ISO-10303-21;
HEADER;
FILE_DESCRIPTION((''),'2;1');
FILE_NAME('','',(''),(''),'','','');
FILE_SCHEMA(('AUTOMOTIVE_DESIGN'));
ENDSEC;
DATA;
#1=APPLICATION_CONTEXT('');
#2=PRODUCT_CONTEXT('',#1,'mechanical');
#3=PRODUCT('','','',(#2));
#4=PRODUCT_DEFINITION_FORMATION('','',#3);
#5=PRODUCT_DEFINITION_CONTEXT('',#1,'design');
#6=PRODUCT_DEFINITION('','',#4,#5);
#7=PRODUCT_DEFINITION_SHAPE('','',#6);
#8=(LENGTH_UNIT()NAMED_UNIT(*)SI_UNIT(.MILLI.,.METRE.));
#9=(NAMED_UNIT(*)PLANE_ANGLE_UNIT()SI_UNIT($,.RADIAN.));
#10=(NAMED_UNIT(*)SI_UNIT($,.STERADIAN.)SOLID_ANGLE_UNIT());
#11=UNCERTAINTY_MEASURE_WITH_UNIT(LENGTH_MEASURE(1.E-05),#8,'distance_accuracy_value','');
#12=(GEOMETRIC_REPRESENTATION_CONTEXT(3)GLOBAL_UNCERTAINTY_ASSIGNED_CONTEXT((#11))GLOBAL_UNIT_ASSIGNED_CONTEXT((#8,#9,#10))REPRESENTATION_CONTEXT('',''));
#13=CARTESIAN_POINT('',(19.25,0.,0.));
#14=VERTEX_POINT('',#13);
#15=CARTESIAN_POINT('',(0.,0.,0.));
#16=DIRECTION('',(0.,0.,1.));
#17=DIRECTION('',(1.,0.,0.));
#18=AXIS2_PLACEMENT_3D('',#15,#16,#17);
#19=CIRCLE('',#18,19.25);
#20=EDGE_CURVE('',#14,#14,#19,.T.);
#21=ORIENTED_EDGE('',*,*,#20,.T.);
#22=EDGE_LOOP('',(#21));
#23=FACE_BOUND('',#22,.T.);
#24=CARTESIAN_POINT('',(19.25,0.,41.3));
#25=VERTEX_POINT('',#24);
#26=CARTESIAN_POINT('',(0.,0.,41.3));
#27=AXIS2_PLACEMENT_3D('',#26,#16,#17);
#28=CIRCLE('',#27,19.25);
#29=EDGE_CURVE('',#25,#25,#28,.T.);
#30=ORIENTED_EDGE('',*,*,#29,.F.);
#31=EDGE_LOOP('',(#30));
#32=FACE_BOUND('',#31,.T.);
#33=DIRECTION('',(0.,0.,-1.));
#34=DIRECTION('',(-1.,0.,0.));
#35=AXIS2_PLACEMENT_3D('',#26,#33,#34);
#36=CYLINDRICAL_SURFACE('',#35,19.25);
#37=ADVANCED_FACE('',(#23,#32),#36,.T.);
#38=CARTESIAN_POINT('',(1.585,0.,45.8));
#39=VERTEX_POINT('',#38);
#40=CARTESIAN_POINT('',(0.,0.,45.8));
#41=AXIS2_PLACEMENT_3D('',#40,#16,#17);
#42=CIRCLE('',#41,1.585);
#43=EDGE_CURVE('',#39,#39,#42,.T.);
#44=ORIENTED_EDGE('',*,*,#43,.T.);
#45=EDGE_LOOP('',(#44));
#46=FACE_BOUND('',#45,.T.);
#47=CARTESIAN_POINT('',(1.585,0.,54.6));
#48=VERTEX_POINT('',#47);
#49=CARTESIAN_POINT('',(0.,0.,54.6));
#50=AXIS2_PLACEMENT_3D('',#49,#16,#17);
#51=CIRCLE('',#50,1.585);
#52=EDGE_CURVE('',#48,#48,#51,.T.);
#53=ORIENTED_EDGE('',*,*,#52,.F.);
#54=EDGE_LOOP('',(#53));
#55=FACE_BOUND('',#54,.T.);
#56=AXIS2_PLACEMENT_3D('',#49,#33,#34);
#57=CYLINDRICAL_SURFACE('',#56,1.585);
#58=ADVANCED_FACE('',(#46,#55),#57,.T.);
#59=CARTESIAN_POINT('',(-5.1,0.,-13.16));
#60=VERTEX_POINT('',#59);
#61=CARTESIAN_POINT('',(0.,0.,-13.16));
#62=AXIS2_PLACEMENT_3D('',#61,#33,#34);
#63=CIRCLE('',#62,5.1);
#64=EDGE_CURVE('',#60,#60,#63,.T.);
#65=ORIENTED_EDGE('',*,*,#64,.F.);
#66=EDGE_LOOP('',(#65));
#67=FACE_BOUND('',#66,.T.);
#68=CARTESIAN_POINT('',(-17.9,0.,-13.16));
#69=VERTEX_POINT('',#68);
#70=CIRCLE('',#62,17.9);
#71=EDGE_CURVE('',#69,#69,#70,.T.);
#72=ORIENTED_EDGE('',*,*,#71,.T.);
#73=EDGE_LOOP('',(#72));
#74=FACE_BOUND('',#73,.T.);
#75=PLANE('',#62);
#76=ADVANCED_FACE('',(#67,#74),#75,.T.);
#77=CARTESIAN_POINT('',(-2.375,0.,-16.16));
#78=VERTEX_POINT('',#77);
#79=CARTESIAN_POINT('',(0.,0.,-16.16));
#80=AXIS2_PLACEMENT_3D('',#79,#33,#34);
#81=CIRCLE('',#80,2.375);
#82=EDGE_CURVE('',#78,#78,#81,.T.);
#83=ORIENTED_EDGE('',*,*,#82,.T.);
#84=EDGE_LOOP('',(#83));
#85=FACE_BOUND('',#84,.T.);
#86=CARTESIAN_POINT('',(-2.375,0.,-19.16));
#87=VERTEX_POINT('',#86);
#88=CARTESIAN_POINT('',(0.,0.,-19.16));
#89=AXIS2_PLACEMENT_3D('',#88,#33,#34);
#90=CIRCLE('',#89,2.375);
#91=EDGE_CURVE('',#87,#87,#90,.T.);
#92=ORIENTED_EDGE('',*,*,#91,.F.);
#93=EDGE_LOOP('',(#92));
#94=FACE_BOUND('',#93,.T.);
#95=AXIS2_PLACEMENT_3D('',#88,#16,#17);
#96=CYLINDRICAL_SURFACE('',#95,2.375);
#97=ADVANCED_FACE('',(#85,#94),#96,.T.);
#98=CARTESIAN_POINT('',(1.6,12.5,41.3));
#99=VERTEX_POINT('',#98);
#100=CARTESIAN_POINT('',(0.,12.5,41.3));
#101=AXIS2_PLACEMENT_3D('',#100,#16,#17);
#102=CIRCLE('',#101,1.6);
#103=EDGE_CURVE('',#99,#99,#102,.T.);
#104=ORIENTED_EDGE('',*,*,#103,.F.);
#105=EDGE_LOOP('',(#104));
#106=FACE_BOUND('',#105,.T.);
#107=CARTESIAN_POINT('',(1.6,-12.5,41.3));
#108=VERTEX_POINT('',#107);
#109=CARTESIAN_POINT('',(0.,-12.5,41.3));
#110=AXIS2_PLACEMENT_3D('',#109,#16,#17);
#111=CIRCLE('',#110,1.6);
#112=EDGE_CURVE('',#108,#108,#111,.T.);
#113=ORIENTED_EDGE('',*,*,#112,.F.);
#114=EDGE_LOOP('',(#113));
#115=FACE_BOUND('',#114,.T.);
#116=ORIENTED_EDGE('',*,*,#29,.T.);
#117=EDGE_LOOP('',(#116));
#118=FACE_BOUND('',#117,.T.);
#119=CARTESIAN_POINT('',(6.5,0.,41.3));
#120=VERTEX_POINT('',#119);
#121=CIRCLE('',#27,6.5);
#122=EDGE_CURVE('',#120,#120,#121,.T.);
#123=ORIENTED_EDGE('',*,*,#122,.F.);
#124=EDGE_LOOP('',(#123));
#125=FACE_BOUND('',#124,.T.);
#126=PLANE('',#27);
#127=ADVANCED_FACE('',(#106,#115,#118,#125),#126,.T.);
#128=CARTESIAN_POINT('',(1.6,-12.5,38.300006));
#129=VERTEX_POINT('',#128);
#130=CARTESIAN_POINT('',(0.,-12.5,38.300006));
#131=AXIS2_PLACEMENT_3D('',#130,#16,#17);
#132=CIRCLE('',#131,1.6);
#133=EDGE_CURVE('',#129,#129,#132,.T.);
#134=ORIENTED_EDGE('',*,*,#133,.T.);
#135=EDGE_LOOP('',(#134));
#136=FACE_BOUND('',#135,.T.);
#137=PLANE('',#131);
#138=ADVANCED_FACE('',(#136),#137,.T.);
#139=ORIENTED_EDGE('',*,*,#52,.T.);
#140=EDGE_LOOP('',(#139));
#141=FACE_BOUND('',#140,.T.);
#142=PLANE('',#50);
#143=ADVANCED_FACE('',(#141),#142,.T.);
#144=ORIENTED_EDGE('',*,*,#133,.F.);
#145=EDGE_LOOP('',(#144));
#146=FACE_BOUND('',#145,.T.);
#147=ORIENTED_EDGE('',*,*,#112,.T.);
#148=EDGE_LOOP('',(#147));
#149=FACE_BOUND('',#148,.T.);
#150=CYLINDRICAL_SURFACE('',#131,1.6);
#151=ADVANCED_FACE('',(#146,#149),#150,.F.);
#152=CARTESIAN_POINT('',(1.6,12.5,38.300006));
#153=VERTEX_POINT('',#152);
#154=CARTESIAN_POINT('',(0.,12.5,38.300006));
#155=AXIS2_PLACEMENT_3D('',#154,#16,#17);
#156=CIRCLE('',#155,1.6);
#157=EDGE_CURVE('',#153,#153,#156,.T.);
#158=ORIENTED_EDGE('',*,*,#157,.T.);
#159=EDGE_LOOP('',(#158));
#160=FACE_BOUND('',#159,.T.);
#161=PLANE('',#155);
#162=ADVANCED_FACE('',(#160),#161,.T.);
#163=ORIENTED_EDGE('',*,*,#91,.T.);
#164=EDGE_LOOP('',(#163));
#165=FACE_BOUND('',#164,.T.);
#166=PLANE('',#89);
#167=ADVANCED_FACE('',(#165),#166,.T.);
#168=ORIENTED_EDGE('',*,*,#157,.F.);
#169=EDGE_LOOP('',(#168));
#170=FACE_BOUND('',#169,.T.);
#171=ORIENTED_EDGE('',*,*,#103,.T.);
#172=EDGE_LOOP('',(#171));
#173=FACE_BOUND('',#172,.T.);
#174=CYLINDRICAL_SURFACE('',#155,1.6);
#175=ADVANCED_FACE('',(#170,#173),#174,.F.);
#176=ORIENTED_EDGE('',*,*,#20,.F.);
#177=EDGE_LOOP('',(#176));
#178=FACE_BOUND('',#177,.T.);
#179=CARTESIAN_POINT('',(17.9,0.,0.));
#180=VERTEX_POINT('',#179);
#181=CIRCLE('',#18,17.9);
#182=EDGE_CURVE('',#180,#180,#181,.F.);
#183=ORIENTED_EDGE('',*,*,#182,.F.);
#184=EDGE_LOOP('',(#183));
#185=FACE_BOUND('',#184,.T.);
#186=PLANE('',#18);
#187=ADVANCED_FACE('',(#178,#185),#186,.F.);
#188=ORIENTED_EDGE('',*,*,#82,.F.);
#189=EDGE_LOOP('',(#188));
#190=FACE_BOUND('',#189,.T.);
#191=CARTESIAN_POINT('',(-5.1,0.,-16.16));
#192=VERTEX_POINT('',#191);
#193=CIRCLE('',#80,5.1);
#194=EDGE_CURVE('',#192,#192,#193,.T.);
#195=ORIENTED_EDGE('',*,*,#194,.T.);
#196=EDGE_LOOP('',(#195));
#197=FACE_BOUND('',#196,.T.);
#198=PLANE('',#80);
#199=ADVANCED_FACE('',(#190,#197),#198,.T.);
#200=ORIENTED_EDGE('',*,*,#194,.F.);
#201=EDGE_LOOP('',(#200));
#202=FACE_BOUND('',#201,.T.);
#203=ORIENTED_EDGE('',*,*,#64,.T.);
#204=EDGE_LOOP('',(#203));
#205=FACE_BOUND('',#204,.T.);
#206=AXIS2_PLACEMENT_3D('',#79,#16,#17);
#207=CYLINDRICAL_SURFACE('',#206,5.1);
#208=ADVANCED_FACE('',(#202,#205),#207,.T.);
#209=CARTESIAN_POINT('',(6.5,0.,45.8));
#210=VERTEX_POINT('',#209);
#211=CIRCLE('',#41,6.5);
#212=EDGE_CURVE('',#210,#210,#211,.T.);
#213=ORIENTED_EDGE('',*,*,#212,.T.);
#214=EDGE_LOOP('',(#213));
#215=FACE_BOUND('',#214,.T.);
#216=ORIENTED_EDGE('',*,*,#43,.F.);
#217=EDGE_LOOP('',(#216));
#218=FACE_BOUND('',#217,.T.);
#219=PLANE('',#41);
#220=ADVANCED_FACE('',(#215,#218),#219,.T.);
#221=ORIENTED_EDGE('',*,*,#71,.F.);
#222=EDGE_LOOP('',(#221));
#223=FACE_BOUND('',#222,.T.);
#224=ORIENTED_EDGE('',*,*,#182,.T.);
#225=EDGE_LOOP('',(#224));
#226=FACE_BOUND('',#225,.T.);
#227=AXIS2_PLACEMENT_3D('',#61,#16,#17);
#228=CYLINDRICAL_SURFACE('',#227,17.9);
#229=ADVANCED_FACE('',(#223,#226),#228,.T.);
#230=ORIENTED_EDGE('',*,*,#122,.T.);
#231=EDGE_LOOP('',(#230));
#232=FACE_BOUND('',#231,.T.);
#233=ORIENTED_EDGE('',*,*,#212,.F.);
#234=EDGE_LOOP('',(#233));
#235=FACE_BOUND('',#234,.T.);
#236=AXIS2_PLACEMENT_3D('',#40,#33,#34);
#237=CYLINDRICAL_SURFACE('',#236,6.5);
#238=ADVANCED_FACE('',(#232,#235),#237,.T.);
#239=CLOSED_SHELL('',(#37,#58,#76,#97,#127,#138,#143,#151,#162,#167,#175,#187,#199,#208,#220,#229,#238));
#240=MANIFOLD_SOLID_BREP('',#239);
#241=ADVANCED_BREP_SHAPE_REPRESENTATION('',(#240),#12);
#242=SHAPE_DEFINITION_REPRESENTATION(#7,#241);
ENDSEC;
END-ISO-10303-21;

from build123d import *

# Parameters (mm, degrees)
SKETCH1_R           = 19.25
BOSS_EXTRUDE1_DEPTH = 41.3
SKETCH3_R           = 1.585
BOSS_EXTRUDE2_DEPTH = 13.3
SKETCH4_R           = 6.5
BOSS_EXTRUDE3_DEPTH = 4.5
SKETCH5_R           = 17.9
BOSS_EXTRUDE4_DEPTH = 13.16
SKETCH6_R           = 5.1
BOSS_EXTRUDE5_DEPTH = 3
SKETCH7_R           = 2.375
BOSS_EXTRUDE6_DEPTH = 3
SKETCH8_R           = 1.6
CUT_EXTRUDE1_DEPTH  = 2.999994


with BuildPart() as part:
    # Sketch1 → Boss-Extrude1 (new body)
    with BuildSketch(Plane.XY):
        Circle(SKETCH1_R)
    extrude(amount=BOSS_EXTRUDE1_DEPTH)

    # Sketch3 → Boss-Extrude2 (add)
    with BuildSketch(Plane.XY.offset(41.3)):
        Circle(SKETCH3_R)
    extrude(amount=BOSS_EXTRUDE2_DEPTH)

    # Sketch4 → Boss-Extrude3 (add)
    with BuildSketch(Plane.XY.offset(41.3)):
        Circle(SKETCH4_R)
    extrude(amount=BOSS_EXTRUDE3_DEPTH)

    # Sketch5 → Boss-Extrude4 (add)
    with BuildSketch(Plane(origin=(0, 0, 0), x_dir=(-1, 0, 0), z_dir=(0, 0, -1))):
        Circle(SKETCH5_R)
    extrude(amount=BOSS_EXTRUDE4_DEPTH)

    # Sketch6 → Boss-Extrude5 (add)
    with BuildSketch(Plane(origin=(0, 0, -13.16), x_dir=(-1, 0, 0), z_dir=(0, 0, -1))):
        Circle(SKETCH6_R)
    extrude(amount=BOSS_EXTRUDE5_DEPTH)

    # Sketch7 → Boss-Extrude6 (add)
    with BuildSketch(Plane(origin=(0, 0, -16.16), x_dir=(-1, 0, 0), z_dir=(0, 0, -1))):
        Circle(SKETCH7_R)
    extrude(amount=BOSS_EXTRUDE6_DEPTH)

    # Sketch8 → Cut-Extrude1 (cut)
    with BuildSketch(Plane.XY.offset(41.3)):
        with Locations((0, 12.5)):
            Circle(SKETCH8_R)
        with Locations((0, -12.5)):
            Circle(SKETCH8_R)
    extrude(amount=-CUT_EXTRUDE1_DEPTH, mode=Mode.SUBTRACT)


solid = part.part
